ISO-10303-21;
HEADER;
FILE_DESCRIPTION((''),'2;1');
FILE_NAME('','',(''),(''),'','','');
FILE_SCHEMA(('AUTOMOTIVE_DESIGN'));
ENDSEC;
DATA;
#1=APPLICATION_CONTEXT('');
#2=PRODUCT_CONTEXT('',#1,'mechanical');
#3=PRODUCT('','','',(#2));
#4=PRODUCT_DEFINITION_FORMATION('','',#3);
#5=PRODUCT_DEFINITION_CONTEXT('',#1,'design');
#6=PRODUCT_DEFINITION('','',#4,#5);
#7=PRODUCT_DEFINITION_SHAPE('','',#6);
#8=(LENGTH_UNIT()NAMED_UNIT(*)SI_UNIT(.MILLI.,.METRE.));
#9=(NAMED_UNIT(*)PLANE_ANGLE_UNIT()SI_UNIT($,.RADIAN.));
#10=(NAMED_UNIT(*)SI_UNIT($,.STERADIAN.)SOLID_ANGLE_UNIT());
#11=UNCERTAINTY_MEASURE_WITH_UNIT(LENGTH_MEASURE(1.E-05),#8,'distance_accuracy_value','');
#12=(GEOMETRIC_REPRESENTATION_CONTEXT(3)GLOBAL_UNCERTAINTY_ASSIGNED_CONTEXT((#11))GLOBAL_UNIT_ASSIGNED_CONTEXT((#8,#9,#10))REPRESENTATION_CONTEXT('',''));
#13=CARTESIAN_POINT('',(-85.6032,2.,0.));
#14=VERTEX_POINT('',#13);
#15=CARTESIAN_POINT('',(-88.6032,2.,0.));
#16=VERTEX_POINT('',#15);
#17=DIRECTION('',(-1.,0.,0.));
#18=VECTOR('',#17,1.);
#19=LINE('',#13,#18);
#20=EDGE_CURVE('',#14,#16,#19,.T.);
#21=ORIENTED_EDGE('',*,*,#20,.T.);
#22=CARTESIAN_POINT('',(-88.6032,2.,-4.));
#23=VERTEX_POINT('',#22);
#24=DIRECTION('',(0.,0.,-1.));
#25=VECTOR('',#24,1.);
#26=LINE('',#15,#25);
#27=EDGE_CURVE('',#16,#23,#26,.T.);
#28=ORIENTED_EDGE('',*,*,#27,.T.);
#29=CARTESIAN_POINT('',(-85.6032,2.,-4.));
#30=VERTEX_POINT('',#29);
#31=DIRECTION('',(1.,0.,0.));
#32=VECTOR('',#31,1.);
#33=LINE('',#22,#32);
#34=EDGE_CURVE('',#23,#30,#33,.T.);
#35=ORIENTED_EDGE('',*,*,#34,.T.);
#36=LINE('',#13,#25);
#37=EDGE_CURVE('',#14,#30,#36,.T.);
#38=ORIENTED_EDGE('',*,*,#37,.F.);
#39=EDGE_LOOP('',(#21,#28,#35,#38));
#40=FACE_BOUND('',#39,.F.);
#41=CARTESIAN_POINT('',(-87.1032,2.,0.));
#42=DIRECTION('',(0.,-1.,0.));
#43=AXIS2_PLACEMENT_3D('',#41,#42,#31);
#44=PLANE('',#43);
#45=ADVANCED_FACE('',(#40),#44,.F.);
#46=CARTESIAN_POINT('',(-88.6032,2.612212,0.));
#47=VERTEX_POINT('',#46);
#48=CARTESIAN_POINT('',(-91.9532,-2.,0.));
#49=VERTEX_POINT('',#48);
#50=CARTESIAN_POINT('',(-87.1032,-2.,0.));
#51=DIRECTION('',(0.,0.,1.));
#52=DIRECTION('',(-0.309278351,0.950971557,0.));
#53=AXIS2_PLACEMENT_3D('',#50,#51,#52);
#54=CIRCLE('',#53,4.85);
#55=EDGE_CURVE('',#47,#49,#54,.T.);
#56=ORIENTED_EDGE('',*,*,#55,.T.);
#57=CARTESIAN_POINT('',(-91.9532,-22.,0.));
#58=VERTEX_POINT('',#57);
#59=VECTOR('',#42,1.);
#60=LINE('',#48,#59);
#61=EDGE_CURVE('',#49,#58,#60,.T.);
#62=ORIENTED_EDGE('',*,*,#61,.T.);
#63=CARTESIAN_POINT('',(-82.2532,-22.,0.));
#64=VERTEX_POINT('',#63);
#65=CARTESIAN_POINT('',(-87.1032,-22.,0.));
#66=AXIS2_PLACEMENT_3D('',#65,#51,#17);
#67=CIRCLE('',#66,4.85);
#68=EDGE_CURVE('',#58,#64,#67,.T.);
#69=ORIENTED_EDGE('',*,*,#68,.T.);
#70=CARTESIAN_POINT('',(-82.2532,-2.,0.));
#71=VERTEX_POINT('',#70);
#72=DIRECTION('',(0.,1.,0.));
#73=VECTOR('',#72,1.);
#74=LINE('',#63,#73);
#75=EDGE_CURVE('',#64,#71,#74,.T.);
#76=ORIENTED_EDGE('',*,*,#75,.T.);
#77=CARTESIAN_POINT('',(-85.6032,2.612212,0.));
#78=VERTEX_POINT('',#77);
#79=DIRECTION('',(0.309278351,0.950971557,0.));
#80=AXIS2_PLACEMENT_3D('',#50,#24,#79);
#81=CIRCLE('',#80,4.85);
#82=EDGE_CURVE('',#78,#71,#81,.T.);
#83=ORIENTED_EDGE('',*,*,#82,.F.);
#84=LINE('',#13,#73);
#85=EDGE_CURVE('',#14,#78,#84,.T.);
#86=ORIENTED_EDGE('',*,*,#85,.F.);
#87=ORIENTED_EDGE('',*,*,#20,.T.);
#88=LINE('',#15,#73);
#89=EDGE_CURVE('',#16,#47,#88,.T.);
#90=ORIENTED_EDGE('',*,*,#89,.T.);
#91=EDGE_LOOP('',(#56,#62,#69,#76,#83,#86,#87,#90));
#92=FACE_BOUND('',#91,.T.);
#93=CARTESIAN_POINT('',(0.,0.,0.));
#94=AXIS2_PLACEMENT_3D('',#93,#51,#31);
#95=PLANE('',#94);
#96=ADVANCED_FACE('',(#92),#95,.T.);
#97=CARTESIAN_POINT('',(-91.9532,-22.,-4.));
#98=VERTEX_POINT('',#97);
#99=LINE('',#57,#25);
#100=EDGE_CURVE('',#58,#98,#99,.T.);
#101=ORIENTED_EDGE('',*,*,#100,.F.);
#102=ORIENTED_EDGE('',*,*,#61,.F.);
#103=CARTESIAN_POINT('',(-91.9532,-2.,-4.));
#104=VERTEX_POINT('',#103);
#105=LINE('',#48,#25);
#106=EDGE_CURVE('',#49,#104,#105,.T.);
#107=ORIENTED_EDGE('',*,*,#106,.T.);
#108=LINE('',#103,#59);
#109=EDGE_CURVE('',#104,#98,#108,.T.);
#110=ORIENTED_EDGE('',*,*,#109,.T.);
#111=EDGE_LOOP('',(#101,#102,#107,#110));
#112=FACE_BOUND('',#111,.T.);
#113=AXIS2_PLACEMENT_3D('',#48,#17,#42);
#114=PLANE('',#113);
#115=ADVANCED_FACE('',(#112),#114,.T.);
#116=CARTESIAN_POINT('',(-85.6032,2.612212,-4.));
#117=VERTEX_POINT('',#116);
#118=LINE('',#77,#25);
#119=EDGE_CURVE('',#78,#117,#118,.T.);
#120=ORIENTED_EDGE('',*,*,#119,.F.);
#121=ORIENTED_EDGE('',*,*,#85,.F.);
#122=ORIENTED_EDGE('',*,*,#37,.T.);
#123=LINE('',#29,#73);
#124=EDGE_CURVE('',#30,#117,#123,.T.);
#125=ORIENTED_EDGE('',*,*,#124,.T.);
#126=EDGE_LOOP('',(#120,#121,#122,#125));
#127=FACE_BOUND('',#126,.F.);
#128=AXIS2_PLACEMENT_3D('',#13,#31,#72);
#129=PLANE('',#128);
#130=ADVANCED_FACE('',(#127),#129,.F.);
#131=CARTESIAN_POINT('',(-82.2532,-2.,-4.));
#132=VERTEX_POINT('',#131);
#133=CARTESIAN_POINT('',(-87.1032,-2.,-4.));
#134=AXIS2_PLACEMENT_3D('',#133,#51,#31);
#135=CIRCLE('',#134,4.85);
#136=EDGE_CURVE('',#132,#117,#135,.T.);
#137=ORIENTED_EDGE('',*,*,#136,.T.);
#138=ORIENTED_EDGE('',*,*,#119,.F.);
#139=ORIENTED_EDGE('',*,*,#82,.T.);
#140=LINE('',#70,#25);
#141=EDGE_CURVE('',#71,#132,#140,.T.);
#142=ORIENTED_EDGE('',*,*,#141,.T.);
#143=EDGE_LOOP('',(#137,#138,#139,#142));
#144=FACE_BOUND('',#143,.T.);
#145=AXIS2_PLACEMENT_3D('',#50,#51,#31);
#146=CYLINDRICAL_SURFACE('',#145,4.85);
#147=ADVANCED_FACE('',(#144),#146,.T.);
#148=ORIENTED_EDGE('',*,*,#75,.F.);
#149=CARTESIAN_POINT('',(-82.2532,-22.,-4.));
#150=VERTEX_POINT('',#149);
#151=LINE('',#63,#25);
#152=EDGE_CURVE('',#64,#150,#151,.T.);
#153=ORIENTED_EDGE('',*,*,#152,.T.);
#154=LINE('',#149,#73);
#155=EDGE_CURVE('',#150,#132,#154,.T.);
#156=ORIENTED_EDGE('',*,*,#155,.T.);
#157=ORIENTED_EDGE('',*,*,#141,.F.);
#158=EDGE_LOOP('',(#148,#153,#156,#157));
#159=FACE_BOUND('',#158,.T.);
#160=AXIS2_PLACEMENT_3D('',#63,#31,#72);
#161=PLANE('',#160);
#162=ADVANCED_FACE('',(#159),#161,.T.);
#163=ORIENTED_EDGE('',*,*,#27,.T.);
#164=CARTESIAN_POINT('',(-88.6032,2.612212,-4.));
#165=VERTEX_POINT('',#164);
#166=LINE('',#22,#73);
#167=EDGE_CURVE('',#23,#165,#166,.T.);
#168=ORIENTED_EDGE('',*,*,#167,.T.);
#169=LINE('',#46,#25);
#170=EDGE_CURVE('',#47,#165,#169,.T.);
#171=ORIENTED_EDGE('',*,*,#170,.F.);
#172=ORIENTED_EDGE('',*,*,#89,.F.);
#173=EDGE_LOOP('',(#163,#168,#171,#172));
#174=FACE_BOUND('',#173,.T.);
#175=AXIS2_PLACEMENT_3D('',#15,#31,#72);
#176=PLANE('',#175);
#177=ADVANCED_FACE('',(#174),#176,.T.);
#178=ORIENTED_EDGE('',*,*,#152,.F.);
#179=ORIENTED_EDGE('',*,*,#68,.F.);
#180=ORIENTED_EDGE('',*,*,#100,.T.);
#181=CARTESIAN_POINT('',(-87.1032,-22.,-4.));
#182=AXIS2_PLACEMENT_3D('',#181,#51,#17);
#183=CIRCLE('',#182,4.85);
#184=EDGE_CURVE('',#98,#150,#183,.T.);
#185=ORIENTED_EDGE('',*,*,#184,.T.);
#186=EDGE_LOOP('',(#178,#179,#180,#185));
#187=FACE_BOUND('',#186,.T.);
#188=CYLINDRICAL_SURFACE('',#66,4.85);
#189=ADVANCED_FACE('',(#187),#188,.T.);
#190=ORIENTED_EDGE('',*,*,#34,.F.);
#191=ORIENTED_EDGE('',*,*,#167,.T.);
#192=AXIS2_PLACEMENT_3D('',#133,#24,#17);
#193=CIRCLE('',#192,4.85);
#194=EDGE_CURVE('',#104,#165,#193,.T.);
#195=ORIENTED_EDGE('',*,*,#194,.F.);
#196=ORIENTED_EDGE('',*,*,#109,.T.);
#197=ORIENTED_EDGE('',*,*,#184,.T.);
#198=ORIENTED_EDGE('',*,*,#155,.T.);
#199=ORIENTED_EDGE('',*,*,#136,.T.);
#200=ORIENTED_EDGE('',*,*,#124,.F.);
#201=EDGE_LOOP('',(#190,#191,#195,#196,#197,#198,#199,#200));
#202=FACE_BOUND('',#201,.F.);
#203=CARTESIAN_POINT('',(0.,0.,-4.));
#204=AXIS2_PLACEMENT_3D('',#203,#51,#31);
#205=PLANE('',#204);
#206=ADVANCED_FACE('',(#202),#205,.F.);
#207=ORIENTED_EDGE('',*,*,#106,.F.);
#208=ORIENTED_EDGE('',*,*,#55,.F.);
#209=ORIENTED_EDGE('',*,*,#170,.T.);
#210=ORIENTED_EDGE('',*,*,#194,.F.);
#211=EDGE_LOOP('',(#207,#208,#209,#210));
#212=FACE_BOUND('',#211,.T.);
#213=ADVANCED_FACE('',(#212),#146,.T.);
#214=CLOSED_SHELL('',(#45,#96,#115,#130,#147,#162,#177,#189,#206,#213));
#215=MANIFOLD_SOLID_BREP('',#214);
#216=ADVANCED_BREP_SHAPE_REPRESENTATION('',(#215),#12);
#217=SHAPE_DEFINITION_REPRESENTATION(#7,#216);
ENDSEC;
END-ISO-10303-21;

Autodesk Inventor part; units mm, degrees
ref_plane "YZ Plane" through (0, 0, 0) normal (1, 0, 0) x (0, 1, 0)
ref_plane "XZ Plane" through (0, 0, 0) normal (0, 1, 0) x (-1, 0, 0)
ref_plane "XY Plane" through (0, 0, 0) normal (0, 0, 1) x (1, 0, 0)
ref_plane "Work Plane1" through (0, 0, 0) normal (0, 0, 1) x (1, 0, 0)
sketch "Sketch1" plane through (0, 0, 0) normal (0, 0, 1) x (1, 0, 0)
  line L0 (227.5976, -2) -> (227.5976, -22) projected
  arc A0 (217.5976, -22) -> (227.5976, -22) centre (222.5976, -22) ccw projected
  line L1 (217.5976, -22) -> (217.5976, -2) projected
  arc A1 (227.5976, -2) -> (217.5976, -2) centre (222.5976, -2) ccw projected
  line L2 (78.8821, -22) -> (78.8821, -2) projected
  arc A2 (88.8821, -2) -> (78.8821, -2) centre (83.8821, -2) ccw projected
  line L3 (88.8821, -2) -> (88.8821, -22) projected
  arc A3 (78.8821, -22) -> (88.8821, -22) centre (83.8821, -22) ccw projected
  line L4 (-82.1032, -2) -> (-82.1032, -22) projected
  arc A4 (-92.1032, -22) -> (-82.1032, -22) centre (-87.1032, -22) ccw projected
  line L5 (-92.1032, -22) -> (-92.1032, -2) projected
  arc A5 (-82.1032, -2) -> (-92.1032, -2) centre (-87.1032, -2) ccw projected
  line L6 (374.3969, 34.0458) -> (374.3969, -61) projected
  line L7 (344.0734, 61) -> (374.3969, 34.0458) projected
  line L8 (-316.3526, 61) -> (344.0734, 61) projected
  line L9 (-354.2917, 27.0499) -> (-316.3526, 61) projected
  line L10 (-54.9688, -61) -> (-354.2917, 27.0499) projected
  line L11 (374.3969, -61) -> (-54.9688, -61) projected
  line L12 (-87.1032, -22) -> (-87.1032, -2) construction
  line L13 (-82.2532, -22) -> (-82.2532, -2)
  line L14 (-91.9532, -2) -> (-91.9532, -22)
  arc A6 (-91.9532, -22) -> (-82.2532, -22) centre (-87.1032, -22) ccw
  arc A7 (-82.2532, -2) -> (-91.9532, -2) centre (-87.1032, -2) ccw
  line L15 (-87.1032, 3) -> (-87.1032, 2)
  line L16 (-87.1032, 2) -> (-84.3605, 2)
  line L17 (-87.1032, 2) -> (-89.8459, 2)
  line L18 (-87.1032, 2) -> (-88.6032, 2)
  line L19 (-88.6032, 2) -> (-85.6032, 2)
  line L20 (-85.6032, 2) -> (-85.6032, 4.0639)
  line L21 (-88.6032, 2) -> (-88.6032, 3.4505)
  point P0 (0, 0)
  point P1 (-87.1032, -12)
  point P2 (-85.6032, 2.6122)
  point P3 (-88.6032, 2.6122)
  dimension "d0" = 9.7
  dimension "d1" = 1
  dimension "d2" = 1.5
  dimension "d3" = 3
extrude "Extrusion1" add sketch "Sketch1" against normal blind 4 contours A7 L16 L20 | A7 L13 A6 L14 L17 L16 | L21 L17 A7
properties part number "zaslepka_sruby_2"
